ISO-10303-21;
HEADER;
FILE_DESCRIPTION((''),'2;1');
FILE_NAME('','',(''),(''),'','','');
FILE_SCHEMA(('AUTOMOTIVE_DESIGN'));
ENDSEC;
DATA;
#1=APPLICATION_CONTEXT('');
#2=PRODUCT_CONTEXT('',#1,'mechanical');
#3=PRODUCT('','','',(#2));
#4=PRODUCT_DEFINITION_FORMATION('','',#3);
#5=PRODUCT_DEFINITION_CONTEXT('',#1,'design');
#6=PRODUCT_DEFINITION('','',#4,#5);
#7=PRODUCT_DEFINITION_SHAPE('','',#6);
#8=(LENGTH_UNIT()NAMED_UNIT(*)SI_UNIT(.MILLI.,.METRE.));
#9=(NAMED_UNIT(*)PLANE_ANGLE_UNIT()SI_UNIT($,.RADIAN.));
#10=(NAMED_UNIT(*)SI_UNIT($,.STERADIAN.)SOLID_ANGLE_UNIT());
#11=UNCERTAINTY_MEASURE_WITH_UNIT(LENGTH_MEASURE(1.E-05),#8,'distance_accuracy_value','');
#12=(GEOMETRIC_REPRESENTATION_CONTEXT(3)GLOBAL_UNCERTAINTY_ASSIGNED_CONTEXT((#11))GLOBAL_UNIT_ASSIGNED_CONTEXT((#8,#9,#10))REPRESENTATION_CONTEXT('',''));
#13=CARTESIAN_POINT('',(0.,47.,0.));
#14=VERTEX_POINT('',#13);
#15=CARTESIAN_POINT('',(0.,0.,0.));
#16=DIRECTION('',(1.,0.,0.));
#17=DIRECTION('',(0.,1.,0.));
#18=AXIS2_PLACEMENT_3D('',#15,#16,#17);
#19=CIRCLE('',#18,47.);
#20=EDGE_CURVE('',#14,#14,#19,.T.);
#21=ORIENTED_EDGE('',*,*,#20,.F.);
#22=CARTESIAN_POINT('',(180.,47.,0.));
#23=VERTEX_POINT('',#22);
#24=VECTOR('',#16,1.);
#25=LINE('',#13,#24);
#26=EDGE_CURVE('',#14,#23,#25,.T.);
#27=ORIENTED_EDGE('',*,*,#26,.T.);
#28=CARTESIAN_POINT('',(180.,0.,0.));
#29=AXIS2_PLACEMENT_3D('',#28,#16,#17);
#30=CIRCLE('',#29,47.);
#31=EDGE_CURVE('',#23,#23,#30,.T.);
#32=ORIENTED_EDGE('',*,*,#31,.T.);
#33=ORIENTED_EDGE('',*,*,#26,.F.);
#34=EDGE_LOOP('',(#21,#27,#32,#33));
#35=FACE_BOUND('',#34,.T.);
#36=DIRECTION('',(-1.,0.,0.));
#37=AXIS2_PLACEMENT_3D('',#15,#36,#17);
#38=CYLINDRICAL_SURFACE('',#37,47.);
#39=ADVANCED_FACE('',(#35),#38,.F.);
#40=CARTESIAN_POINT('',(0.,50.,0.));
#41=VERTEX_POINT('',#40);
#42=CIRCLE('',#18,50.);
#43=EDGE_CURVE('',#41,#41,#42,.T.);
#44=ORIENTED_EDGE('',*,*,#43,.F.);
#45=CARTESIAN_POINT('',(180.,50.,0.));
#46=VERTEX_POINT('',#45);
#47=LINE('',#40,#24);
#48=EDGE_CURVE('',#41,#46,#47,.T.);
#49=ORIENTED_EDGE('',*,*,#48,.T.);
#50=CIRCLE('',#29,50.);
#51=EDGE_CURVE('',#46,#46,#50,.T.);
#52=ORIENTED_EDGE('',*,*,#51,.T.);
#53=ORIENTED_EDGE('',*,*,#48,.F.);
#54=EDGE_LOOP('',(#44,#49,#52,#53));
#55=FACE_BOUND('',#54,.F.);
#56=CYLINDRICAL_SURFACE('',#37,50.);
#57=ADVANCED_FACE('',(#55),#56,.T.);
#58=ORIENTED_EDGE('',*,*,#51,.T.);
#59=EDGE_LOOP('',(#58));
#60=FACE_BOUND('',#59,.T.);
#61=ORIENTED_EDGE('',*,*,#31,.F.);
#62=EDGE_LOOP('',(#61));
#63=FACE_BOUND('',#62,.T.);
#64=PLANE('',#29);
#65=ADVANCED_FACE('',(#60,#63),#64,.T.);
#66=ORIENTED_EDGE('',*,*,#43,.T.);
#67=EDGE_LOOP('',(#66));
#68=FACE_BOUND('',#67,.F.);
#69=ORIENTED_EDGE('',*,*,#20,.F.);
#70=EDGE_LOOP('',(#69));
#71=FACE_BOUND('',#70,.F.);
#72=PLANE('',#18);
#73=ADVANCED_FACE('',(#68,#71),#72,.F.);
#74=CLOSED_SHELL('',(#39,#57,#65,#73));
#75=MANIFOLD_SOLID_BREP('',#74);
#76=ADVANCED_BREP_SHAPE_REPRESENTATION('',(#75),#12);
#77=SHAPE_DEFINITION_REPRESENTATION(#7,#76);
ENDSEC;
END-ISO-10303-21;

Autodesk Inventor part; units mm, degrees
ref_plane "YZ Plane" through (0, 0, 0) normal (1, 0, 0) x (0, 1, 0)
ref_plane "XZ Plane" through (0, 0, 0) normal (0, 1, 0) x (-1, 0, 0)
ref_plane "XY Plane" through (0, 0, 0) normal (0, 0, 1) x (1, 0, 0)
sketch "Sketch1" plane through (0, 0, 0) normal (1, 0, 0) x (0, 1, 0)
  circle A0 centre (0, 0) radius 50
  circle A1 centre (0, 0) radius 47
  dimension "d0" = 100
  dimension "d2" = 94
extrude "Extrusion1" add sketch "Sketch1" along normal blind 180
properties part number "MainTube" material "PET Plastic"
